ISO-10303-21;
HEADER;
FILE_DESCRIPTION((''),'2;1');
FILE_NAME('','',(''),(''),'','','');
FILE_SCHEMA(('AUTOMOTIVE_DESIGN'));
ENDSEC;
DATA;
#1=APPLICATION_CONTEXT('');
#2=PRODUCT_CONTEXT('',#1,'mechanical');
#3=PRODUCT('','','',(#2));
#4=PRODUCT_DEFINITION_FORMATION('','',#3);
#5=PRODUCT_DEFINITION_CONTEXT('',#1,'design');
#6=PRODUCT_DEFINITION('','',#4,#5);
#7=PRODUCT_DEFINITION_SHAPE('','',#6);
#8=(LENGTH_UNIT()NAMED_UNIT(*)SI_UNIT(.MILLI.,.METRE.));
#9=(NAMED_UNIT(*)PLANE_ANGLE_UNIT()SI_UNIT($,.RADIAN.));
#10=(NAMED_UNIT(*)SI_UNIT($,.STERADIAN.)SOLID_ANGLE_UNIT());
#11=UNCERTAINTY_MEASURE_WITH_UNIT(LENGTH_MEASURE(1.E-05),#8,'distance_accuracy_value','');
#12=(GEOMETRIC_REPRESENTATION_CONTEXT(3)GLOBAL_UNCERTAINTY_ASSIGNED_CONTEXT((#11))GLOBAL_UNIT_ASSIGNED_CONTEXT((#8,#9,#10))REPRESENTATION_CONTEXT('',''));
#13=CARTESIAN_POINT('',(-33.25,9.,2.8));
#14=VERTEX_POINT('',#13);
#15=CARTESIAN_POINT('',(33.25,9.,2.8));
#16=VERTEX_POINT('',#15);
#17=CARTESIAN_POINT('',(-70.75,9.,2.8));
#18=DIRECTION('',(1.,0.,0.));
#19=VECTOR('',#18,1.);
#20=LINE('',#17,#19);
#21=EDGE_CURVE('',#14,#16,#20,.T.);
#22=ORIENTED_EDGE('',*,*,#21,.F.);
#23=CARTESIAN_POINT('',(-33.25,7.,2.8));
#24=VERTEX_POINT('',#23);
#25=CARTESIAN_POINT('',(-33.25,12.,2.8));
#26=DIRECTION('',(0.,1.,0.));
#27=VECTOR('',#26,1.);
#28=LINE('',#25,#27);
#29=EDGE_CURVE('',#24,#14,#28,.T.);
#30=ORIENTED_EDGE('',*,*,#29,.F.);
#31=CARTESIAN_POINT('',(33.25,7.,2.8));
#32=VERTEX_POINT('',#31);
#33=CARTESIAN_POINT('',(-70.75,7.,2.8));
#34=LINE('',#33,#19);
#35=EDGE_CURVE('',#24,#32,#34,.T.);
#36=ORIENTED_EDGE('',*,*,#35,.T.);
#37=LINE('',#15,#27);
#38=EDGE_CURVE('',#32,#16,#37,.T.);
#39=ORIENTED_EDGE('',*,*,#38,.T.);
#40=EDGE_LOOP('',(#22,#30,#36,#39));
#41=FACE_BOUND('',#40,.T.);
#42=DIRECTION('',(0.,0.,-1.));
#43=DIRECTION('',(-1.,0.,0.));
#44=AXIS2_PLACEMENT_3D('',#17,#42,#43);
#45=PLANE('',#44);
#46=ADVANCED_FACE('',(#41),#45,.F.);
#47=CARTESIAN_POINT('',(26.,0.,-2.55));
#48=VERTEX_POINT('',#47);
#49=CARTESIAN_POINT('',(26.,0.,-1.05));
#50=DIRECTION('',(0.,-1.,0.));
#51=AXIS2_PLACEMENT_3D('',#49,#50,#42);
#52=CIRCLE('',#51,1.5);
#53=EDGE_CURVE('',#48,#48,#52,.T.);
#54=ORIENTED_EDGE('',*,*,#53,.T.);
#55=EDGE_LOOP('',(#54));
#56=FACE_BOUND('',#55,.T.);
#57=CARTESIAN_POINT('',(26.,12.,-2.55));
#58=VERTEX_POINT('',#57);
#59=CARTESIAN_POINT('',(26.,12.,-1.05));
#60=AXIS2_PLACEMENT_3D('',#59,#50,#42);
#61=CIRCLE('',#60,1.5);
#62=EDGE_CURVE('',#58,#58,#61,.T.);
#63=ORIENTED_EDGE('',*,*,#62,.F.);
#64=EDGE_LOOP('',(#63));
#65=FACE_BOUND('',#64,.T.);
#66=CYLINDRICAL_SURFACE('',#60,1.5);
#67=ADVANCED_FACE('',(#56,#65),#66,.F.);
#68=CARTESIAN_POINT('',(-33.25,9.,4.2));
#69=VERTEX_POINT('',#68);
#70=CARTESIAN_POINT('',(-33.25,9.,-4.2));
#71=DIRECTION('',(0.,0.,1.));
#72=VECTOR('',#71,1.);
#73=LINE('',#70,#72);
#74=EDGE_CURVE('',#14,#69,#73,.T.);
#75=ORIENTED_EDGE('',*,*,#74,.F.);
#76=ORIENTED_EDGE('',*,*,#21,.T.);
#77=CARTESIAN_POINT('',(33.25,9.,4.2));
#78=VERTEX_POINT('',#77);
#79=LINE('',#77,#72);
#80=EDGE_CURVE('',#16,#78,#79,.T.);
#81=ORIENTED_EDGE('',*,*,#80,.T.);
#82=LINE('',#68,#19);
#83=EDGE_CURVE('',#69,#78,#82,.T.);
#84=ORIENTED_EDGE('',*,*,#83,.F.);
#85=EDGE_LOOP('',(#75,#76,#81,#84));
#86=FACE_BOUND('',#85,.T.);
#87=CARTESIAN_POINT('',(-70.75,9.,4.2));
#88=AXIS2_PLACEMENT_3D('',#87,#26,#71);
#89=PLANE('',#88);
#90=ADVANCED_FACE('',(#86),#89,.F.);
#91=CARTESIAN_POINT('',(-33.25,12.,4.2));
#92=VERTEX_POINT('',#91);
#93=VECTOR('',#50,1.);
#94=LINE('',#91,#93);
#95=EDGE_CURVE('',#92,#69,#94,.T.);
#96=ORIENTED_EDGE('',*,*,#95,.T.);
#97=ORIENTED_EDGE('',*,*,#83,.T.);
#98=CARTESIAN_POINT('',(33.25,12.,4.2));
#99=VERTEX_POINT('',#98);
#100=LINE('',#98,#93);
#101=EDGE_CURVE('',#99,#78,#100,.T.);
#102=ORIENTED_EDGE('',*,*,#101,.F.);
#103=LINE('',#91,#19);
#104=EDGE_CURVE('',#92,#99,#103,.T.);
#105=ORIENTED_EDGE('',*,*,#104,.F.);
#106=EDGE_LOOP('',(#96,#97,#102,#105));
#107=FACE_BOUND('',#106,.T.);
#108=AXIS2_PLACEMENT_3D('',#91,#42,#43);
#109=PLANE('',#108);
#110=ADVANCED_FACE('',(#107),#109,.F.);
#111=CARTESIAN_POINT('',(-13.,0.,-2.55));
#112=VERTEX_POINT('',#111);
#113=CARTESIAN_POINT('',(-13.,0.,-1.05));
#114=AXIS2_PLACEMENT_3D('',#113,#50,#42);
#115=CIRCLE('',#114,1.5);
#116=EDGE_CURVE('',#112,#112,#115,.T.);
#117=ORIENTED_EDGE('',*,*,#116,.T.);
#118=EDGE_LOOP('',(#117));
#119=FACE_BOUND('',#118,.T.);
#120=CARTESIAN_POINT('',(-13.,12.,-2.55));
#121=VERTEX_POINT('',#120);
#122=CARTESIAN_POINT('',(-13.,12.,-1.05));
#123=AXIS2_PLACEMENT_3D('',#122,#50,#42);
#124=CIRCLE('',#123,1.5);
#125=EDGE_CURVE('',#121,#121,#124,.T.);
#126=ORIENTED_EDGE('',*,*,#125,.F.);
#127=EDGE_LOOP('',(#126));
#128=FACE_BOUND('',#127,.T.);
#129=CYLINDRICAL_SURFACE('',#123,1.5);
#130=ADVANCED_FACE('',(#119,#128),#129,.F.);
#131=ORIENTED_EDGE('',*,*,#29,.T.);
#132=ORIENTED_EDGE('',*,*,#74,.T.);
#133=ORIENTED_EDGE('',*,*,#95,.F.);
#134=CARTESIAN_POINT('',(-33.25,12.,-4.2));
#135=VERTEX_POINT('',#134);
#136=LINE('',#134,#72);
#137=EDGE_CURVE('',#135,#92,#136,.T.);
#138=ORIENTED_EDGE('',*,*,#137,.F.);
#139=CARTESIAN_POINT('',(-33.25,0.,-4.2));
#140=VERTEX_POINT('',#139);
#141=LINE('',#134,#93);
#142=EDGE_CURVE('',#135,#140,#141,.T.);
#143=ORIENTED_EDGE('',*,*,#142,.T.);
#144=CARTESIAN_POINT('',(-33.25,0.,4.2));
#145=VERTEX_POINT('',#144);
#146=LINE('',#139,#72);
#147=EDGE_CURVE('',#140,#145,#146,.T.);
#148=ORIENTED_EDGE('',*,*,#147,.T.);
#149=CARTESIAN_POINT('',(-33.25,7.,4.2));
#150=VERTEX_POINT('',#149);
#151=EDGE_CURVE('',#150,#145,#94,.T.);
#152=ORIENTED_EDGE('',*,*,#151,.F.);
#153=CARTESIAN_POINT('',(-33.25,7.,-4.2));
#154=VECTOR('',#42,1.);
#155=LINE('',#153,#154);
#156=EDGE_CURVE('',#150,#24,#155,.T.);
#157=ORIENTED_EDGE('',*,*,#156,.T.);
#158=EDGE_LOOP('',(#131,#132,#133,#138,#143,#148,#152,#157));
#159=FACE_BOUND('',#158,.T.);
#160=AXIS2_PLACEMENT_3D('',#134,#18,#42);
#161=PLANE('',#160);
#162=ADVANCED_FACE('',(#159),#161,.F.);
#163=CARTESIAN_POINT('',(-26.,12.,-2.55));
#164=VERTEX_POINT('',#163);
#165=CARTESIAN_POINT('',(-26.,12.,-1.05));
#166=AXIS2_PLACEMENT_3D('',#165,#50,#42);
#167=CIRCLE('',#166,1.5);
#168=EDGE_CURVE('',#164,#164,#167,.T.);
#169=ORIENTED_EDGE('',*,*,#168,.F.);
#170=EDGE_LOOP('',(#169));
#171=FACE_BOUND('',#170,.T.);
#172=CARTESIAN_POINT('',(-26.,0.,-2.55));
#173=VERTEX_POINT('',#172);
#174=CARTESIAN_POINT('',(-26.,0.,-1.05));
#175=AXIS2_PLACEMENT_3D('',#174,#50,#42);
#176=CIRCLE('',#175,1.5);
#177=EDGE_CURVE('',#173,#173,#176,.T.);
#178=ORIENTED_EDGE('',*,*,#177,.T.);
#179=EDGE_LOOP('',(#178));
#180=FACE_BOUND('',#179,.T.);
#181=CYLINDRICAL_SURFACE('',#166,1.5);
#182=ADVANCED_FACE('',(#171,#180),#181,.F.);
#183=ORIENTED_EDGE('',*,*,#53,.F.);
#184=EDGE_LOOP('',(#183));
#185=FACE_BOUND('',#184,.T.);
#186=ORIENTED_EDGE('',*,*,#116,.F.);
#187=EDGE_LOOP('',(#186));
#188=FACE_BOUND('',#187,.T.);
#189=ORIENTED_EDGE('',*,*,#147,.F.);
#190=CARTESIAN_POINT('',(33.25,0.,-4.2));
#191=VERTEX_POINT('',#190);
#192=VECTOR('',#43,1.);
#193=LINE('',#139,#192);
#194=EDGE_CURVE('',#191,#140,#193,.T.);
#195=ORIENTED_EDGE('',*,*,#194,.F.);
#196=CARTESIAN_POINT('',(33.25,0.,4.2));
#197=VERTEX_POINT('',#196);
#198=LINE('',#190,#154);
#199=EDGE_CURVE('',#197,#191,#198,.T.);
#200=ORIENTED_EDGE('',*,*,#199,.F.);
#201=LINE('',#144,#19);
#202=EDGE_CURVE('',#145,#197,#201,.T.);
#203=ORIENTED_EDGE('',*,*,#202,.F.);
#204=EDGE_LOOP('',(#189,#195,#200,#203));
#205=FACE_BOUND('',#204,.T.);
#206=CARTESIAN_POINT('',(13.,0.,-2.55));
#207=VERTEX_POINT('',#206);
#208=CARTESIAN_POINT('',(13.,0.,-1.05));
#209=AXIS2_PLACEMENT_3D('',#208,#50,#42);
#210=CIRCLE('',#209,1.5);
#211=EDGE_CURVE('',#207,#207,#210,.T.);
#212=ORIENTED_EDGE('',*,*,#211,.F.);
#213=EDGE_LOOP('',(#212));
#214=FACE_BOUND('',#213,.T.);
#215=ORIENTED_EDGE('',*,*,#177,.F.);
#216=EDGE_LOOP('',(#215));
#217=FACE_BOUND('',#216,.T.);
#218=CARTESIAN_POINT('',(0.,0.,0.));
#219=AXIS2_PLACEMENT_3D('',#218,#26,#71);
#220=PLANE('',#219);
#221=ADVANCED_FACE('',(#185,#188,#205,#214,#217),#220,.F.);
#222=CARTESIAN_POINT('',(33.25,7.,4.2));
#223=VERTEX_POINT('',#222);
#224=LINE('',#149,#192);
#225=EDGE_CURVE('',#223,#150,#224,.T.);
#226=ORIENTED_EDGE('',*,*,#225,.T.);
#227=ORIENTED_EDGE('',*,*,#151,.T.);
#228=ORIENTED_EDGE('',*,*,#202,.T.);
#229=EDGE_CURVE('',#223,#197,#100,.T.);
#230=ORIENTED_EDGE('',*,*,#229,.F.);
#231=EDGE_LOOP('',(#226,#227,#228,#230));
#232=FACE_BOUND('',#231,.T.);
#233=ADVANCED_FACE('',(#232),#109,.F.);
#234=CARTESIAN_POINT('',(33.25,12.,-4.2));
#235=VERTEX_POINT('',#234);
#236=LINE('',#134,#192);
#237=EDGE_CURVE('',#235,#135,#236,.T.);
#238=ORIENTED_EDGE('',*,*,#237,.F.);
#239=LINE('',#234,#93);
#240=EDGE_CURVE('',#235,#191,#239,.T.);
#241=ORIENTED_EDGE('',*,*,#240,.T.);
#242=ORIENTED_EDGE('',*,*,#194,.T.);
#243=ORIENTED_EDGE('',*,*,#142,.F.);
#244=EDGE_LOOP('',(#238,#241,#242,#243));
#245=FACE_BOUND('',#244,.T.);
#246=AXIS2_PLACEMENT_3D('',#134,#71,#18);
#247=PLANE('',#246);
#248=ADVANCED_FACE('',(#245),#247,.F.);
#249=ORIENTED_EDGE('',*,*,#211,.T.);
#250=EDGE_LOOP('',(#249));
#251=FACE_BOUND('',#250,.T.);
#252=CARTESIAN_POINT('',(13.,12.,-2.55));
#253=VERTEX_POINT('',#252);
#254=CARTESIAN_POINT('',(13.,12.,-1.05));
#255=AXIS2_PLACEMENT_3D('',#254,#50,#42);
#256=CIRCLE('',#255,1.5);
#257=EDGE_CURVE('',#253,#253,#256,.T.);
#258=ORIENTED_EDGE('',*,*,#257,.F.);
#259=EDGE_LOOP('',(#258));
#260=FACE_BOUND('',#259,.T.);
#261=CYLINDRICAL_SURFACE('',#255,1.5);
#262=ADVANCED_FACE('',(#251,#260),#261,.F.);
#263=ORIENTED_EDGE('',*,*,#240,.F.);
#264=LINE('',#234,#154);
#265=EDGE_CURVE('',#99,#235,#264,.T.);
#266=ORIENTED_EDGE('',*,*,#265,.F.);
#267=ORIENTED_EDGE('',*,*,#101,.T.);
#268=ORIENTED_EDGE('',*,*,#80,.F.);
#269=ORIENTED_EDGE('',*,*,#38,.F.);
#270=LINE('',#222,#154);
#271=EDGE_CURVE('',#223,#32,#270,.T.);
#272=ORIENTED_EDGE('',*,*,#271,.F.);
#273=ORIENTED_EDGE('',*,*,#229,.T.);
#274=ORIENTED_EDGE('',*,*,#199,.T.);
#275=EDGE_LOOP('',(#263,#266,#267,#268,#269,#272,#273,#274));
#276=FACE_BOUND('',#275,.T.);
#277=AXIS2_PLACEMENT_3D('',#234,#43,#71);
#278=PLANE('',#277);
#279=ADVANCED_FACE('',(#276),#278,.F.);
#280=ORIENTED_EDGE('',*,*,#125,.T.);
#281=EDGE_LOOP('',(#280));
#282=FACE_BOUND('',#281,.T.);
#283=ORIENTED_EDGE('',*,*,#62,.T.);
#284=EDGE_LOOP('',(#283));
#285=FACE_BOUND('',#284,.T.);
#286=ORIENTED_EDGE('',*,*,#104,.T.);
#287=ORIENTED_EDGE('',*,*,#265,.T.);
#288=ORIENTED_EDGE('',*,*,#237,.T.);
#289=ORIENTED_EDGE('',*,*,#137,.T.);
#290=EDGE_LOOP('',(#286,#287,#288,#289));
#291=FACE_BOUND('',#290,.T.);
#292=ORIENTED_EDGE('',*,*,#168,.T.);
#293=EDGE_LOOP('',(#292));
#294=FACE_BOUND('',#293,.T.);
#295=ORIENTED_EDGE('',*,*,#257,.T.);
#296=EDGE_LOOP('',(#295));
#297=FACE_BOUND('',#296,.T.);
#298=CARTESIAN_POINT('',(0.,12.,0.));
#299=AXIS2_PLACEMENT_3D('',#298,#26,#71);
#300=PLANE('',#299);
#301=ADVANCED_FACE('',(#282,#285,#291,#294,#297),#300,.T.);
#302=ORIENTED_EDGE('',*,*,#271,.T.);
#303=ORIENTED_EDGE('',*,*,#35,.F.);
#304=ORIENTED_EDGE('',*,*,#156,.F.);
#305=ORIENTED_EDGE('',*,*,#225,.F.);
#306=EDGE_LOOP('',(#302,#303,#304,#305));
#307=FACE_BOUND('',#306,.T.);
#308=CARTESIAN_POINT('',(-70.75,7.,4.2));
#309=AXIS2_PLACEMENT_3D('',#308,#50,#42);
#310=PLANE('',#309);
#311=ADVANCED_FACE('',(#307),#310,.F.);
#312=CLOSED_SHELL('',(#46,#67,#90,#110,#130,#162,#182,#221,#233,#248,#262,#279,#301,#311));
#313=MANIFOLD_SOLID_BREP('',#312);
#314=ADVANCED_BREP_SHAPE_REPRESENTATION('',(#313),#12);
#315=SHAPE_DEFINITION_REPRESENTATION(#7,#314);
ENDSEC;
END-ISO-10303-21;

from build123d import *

# Parameters (mm, degrees)
SKETCH_1_W          = 66.5
SKETCH_1_H          = 8.4
EXTRUDE_1_DEPTH     = 12
SKETCH_2_W          = 1.4
SKETCH_2_H          = 2
CUT_EXTRUDE_1_DEPTH = 104
SKETCH_4_R          = 1.5
CUT_EXTRUDE_3_DEPTH = 36.597787853


with BuildPart() as part:
    # 草图1 → 凸台-拉伸1 (new body)
    with BuildSketch(Plane(origin=(0, 0, 0), x_dir=(1, 0, 0), z_dir=(0, 1, 0))):
        Rectangle(SKETCH_1_W, SKETCH_1_H)
    extrude(amount=EXTRUDE_1_DEPTH)

    # 草图2 → 切除-拉伸1 (cut)
    with BuildSketch(Plane(origin=(33.25, 0, 0), x_dir=(0, 0, -1), z_dir=(1, 0, 0))):
        with Locations((-3.5, 8)):
            Rectangle(SKETCH_2_W, SKETCH_2_H)
    extrude(amount=-CUT_EXTRUDE_1_DEPTH, mode=Mode.SUBTRACT)

    # 草图4 → 切除-拉伸3 (cut, through all)
    with BuildSketch(Plane.XZ):
        with Locations(Location((-26, -1.05, 0), (0, 0, 270))):
            Circle(SKETCH_4_R)
        with Locations(Location((-13, -1.05, 0), (0, 0, 270))):
            Circle(SKETCH_4_R)
        with Locations(Location((26, -1.05, 0), (0, 0, 270))):
            Circle(SKETCH_4_R)
        with Locations(Location((13, -1.05, 0), (0, 0, 270))):
            Circle(SKETCH_4_R)
    extrude(amount=-CUT_EXTRUDE_3_DEPTH, mode=Mode.SUBTRACT)


solid = part.part
